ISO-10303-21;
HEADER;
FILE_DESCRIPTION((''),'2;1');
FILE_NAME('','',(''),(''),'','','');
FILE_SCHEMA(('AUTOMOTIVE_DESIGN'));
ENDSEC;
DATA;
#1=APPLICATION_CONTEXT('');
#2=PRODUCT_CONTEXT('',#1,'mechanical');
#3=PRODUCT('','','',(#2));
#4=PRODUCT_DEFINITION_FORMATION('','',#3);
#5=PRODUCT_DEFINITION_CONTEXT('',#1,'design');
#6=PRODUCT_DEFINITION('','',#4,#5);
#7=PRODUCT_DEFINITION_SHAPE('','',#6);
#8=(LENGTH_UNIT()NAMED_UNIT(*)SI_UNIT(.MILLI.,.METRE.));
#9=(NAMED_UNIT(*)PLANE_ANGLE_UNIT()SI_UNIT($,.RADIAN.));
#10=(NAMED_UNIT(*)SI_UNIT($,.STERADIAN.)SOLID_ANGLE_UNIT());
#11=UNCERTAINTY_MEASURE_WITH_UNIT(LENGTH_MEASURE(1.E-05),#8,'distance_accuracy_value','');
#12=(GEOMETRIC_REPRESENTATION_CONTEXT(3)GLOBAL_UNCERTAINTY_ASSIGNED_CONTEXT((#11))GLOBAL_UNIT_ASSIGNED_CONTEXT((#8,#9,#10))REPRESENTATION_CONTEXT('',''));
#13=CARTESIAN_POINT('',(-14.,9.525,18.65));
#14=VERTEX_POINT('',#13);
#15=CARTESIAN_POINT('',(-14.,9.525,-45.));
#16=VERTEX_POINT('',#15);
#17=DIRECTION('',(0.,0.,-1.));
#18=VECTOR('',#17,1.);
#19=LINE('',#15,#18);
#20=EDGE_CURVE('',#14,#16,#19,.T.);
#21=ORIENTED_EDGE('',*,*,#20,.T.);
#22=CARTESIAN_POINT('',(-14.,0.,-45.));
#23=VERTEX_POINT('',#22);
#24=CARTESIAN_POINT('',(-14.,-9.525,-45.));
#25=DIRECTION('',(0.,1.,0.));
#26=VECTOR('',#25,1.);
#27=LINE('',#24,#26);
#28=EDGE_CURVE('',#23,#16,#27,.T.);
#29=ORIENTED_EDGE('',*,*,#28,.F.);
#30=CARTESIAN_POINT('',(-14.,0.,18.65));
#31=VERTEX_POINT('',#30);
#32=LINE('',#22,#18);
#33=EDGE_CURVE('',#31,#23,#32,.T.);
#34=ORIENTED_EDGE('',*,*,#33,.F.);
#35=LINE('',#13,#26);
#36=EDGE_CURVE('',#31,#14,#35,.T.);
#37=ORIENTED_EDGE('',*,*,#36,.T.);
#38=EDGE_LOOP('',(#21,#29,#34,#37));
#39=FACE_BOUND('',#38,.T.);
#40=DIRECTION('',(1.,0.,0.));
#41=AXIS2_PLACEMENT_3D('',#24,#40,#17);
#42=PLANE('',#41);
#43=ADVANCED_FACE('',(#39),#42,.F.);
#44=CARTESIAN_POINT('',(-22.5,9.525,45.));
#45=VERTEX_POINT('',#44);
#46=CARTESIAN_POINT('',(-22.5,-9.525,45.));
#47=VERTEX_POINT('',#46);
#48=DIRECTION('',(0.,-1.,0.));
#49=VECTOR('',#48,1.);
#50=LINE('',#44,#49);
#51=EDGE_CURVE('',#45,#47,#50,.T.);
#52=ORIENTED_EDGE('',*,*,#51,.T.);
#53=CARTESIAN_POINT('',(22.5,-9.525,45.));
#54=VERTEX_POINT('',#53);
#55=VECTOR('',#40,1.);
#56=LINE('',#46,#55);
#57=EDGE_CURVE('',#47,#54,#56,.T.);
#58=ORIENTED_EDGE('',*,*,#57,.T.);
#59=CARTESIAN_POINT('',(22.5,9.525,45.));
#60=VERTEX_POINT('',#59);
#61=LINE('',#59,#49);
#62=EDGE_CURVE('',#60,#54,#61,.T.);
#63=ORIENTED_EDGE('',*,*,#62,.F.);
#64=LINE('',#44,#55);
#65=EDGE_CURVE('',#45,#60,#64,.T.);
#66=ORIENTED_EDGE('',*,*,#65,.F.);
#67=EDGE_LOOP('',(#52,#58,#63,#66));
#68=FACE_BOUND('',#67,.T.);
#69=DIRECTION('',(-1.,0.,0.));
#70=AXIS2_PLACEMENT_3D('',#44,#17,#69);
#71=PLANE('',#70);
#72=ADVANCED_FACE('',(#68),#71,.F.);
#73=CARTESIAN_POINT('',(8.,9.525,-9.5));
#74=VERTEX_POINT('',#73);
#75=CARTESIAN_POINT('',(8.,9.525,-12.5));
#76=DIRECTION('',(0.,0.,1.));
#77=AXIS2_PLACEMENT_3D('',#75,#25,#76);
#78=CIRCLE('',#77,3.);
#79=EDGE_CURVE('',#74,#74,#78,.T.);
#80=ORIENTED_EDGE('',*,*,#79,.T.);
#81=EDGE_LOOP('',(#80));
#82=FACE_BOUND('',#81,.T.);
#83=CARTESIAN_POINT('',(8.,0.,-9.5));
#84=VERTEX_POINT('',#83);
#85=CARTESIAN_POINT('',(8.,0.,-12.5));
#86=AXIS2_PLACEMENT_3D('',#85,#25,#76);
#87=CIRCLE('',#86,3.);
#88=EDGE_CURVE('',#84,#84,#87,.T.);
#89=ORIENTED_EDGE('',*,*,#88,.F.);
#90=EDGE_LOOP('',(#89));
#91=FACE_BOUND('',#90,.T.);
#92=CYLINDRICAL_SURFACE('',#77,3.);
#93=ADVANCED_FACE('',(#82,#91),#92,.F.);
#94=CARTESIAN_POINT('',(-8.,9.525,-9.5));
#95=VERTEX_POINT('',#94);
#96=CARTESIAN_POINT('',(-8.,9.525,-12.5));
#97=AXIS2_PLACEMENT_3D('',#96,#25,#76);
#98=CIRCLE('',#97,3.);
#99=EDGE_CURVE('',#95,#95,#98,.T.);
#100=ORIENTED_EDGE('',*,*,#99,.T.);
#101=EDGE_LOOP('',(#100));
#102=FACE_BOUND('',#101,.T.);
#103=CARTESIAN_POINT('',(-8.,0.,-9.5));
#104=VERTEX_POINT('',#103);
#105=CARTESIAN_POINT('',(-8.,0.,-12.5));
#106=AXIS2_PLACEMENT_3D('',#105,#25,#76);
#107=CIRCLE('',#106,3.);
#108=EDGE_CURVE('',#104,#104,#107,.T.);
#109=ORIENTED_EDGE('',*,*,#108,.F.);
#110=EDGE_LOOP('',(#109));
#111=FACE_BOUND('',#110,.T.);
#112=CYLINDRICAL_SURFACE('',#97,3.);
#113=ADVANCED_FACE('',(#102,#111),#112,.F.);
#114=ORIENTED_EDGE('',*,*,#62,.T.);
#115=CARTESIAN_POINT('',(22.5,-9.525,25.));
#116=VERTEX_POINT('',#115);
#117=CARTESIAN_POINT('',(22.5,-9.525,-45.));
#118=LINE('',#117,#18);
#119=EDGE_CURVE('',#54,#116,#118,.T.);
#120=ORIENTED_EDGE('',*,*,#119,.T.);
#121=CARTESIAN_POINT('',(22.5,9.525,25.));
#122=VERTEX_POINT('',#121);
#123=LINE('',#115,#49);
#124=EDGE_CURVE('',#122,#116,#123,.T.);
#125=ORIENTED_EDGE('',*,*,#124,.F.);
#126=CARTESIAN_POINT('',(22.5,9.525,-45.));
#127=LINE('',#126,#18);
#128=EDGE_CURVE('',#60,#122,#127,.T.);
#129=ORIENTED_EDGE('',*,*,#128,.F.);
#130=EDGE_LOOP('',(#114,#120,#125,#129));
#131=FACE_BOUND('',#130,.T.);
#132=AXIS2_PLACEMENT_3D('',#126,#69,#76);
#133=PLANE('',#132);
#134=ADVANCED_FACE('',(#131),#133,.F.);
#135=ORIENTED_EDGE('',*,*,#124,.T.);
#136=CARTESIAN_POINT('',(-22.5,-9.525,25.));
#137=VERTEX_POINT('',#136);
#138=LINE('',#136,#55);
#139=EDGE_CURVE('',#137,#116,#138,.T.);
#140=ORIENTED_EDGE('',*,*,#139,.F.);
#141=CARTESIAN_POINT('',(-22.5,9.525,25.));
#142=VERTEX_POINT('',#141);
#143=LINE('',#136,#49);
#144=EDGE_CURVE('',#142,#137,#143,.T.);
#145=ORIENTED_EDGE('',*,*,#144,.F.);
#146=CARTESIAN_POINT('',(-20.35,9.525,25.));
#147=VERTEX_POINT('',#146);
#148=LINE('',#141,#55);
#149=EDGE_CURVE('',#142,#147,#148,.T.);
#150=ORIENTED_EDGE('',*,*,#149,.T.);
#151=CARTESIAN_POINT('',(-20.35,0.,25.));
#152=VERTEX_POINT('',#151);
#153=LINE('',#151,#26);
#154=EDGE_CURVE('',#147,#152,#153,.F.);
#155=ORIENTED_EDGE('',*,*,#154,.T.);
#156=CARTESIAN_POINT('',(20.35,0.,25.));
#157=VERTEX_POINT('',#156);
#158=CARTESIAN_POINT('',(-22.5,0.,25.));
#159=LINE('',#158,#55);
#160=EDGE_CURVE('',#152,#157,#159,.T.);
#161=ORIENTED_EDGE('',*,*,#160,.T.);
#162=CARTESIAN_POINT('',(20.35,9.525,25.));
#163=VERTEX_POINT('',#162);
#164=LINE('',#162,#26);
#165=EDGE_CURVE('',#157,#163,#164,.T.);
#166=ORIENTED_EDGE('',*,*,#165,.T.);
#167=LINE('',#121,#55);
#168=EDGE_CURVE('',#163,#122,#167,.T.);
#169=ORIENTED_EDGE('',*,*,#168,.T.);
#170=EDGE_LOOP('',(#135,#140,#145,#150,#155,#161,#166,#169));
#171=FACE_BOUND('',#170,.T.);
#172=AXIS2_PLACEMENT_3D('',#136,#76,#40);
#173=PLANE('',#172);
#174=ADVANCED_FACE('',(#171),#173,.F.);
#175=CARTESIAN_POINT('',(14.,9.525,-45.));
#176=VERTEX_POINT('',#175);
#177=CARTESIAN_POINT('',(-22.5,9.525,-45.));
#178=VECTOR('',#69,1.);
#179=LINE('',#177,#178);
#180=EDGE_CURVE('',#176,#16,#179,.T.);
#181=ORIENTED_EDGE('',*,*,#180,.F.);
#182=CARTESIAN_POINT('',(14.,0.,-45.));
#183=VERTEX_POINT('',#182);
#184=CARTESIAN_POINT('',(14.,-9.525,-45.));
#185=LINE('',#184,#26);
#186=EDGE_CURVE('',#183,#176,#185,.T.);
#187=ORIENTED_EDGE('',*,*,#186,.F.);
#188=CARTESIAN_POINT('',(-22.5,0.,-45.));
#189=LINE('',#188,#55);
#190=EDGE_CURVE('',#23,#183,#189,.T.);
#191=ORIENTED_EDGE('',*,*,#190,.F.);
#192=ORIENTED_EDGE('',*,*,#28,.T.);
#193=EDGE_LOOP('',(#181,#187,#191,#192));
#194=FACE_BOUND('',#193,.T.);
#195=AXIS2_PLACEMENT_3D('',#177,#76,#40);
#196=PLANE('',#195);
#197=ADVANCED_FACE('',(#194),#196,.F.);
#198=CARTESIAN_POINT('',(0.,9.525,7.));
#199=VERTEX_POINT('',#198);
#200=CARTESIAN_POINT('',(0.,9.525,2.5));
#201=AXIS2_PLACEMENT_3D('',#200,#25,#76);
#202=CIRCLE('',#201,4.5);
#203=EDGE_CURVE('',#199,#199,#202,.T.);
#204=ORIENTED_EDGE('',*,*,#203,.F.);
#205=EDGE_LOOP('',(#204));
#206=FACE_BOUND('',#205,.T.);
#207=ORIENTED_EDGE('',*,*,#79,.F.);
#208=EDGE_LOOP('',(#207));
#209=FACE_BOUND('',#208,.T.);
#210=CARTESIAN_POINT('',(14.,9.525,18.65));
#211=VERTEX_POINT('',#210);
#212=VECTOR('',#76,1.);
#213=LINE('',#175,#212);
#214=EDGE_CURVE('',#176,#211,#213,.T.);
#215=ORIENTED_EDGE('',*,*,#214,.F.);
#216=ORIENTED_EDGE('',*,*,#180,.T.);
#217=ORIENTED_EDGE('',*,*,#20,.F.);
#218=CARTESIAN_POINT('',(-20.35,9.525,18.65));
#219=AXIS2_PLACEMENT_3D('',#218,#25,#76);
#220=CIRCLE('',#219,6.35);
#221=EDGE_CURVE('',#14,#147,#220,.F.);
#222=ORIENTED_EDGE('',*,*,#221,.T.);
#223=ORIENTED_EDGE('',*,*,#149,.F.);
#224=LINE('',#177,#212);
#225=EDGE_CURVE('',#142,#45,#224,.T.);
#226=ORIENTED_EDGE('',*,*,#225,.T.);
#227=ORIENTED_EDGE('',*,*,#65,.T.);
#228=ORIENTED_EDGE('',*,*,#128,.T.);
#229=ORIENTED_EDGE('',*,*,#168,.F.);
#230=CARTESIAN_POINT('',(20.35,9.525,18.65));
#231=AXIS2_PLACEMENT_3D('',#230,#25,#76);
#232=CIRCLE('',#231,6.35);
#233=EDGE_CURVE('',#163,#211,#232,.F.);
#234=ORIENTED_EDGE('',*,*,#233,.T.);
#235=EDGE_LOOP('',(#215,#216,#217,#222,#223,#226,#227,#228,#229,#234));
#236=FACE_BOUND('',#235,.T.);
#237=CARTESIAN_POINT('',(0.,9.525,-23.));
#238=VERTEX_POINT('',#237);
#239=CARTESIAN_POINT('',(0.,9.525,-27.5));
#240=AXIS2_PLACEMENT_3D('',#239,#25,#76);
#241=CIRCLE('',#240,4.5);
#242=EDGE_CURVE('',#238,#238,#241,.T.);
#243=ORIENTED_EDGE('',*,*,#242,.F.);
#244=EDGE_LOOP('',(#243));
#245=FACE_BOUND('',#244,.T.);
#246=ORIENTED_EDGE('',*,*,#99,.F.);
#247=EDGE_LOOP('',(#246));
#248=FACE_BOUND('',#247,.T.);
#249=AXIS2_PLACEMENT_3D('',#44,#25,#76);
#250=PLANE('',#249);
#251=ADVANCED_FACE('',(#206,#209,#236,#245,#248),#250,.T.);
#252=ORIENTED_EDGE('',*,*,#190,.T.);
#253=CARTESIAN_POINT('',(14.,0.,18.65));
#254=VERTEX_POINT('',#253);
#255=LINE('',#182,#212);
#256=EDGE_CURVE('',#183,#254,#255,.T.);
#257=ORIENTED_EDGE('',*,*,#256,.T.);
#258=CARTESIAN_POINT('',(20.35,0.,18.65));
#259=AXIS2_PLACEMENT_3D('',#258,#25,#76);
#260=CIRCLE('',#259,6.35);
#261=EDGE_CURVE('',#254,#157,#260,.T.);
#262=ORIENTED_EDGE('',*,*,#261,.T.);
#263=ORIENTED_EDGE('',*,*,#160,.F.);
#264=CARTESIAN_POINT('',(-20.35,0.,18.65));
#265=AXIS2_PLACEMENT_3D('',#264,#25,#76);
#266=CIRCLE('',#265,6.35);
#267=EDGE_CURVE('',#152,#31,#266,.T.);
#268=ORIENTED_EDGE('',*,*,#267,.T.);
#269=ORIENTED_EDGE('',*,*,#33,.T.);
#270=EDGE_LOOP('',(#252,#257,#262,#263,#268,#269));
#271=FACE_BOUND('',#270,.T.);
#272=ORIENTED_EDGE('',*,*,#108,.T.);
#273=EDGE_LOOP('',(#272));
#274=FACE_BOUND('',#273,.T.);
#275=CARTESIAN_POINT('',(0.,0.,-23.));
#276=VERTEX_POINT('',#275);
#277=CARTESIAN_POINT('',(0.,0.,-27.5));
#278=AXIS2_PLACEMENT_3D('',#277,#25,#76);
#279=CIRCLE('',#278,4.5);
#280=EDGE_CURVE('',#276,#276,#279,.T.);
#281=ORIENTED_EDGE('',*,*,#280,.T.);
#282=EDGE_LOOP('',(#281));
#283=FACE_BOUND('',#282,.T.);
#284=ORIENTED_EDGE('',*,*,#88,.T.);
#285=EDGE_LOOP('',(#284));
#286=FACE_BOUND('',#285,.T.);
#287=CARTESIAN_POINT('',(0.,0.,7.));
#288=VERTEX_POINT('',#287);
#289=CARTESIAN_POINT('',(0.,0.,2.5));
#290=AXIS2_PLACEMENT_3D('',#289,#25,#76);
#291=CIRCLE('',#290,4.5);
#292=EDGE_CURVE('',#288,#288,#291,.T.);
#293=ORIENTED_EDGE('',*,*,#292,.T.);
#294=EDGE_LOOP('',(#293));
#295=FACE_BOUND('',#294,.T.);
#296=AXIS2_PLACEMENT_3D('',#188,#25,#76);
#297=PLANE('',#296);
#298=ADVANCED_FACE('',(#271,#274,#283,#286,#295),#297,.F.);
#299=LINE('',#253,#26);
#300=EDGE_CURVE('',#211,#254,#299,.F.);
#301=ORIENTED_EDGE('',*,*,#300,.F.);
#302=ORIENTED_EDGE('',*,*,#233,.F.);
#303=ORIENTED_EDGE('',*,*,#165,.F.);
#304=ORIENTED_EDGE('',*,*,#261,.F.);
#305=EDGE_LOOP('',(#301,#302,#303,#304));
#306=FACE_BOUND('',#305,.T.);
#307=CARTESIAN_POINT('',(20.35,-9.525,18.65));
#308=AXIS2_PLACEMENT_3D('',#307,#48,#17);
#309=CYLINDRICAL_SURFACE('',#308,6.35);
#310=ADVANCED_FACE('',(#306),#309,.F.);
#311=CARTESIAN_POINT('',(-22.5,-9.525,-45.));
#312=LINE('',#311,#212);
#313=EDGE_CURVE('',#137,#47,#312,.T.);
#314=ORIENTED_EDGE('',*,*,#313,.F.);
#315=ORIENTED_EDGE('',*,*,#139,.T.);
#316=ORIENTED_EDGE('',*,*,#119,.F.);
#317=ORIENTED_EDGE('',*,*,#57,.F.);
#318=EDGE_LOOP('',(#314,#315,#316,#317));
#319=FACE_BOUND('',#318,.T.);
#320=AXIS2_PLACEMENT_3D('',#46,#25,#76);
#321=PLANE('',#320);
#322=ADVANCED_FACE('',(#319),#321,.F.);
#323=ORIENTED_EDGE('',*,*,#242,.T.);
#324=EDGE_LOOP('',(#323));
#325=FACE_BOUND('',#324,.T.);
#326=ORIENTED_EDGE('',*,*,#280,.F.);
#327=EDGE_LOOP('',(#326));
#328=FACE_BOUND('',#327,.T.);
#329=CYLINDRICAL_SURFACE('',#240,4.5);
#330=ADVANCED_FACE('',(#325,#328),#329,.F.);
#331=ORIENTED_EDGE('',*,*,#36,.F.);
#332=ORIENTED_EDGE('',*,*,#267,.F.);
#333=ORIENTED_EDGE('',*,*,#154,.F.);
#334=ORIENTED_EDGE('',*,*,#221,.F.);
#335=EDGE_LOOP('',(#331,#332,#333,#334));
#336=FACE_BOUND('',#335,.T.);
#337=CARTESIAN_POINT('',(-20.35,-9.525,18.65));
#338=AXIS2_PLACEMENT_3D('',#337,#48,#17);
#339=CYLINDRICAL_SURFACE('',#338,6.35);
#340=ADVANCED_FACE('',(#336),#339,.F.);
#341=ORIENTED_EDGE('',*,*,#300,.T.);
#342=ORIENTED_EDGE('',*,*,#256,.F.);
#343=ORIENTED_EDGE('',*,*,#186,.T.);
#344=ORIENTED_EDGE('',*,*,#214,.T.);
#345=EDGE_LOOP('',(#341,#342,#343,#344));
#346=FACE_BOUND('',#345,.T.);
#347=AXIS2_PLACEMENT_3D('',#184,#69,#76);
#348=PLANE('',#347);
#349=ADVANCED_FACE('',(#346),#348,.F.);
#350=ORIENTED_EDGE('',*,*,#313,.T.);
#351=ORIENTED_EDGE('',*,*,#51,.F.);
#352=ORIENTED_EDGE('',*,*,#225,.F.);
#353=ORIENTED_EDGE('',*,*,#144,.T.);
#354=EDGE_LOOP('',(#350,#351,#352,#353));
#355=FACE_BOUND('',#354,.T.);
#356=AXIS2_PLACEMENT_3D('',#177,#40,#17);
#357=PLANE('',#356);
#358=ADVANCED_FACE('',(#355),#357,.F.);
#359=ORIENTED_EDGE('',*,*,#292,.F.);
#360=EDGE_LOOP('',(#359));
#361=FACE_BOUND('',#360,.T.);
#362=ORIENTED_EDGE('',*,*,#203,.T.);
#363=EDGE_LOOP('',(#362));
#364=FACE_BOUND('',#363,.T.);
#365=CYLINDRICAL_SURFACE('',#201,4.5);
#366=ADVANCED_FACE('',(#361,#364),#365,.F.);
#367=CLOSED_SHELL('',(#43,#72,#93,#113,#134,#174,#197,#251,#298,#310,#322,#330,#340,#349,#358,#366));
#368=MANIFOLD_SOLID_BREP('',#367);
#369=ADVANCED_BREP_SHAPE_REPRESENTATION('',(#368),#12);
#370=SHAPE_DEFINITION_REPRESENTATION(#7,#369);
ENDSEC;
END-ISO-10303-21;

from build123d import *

# Parameters (mm, degrees)
SKETCH2_W                = 45
SKETCH2_H                = 90
EXTRUDE2_DEPTH           = 9.525
SKETCH4_W                = 70
SKETCH4_H                = 9.525
CUT_EXTRUDE1_DEPTH       = 65.348470262
SKETCH5_W                = 8.5
SKETCH5_H                = 70
CUT_EXTRUDE2_DEPTH       = 54.797328001
FILLET1_R                = 6.35
F_6_0_6_DIAMETER_HOLE1_D = 6
M8_CLEARANCE_HOLE1_D     = 9


with BuildPart() as part:
    # Sketch2 → Extrude2 (new, symmetric)
    with BuildSketch(Plane(origin=(0, 0, 0), x_dir=(1, 0, 0), z_dir=(0, 1, 0))):
        Rectangle(SKETCH2_W, SKETCH2_H)
    extrude(amount=EXTRUDE2_DEPTH, both=True)

    # Sketch4 → Cut-Extrude1 (cut, through all)
    with BuildSketch(Plane(origin=(22.5, 0, 0), x_dir=(0, 0, -1), z_dir=(1, 0, 0))):
        with Locations((10, -4.7625)):
            Rectangle(SKETCH4_W, SKETCH4_H)
    extrude(amount=-CUT_EXTRUDE1_DEPTH, mode=Mode.SUBTRACT)

    # Sketch5 → Cut-Extrude2 (cut, through all)
    with BuildSketch(Plane(origin=(0, 9.525, 0), x_dir=(1, 0, 0), z_dir=(0, 1, 0))):
        with Locations((-18.25, 10)):
            Rectangle(SKETCH5_W, SKETCH5_H)
        with Locations((18.25, 10)):
            Rectangle(SKETCH5_W, SKETCH5_H)
    extrude(amount=-CUT_EXTRUDE2_DEPTH, mode=Mode.SUBTRACT)

    # Fillet1
    fillet1_edges = [part.edges().sort_by_distance(p)[0] for p in [
        (-14, 4.7625, 25),
        (14, 4.7625, 25),
    ]]
    fillet(fillet1_edges, radius=FILLET1_R)

    # Ø6.0 (6) Diameter Hole1 (through all)
    with Locations(Plane(origin=(0, 9.525, 0), x_dir=(-1, 0, 0), z_dir=(0, 1, 0))):
        with Locations((-8, -12.5), (8, -12.5)):
            Hole(F_6_0_6_DIAMETER_HOLE1_D / 2)

    # M8 Clearance Hole1 (through all)
    with Locations(Plane(origin=(0, 9.525, 0), x_dir=(-1, 0, 0), z_dir=(0, 1, 0))):
        with Locations((0, -27.5), (0, 2.5)):
            Hole(M8_CLEARANCE_HOLE1_D / 2)


solid = part.part
